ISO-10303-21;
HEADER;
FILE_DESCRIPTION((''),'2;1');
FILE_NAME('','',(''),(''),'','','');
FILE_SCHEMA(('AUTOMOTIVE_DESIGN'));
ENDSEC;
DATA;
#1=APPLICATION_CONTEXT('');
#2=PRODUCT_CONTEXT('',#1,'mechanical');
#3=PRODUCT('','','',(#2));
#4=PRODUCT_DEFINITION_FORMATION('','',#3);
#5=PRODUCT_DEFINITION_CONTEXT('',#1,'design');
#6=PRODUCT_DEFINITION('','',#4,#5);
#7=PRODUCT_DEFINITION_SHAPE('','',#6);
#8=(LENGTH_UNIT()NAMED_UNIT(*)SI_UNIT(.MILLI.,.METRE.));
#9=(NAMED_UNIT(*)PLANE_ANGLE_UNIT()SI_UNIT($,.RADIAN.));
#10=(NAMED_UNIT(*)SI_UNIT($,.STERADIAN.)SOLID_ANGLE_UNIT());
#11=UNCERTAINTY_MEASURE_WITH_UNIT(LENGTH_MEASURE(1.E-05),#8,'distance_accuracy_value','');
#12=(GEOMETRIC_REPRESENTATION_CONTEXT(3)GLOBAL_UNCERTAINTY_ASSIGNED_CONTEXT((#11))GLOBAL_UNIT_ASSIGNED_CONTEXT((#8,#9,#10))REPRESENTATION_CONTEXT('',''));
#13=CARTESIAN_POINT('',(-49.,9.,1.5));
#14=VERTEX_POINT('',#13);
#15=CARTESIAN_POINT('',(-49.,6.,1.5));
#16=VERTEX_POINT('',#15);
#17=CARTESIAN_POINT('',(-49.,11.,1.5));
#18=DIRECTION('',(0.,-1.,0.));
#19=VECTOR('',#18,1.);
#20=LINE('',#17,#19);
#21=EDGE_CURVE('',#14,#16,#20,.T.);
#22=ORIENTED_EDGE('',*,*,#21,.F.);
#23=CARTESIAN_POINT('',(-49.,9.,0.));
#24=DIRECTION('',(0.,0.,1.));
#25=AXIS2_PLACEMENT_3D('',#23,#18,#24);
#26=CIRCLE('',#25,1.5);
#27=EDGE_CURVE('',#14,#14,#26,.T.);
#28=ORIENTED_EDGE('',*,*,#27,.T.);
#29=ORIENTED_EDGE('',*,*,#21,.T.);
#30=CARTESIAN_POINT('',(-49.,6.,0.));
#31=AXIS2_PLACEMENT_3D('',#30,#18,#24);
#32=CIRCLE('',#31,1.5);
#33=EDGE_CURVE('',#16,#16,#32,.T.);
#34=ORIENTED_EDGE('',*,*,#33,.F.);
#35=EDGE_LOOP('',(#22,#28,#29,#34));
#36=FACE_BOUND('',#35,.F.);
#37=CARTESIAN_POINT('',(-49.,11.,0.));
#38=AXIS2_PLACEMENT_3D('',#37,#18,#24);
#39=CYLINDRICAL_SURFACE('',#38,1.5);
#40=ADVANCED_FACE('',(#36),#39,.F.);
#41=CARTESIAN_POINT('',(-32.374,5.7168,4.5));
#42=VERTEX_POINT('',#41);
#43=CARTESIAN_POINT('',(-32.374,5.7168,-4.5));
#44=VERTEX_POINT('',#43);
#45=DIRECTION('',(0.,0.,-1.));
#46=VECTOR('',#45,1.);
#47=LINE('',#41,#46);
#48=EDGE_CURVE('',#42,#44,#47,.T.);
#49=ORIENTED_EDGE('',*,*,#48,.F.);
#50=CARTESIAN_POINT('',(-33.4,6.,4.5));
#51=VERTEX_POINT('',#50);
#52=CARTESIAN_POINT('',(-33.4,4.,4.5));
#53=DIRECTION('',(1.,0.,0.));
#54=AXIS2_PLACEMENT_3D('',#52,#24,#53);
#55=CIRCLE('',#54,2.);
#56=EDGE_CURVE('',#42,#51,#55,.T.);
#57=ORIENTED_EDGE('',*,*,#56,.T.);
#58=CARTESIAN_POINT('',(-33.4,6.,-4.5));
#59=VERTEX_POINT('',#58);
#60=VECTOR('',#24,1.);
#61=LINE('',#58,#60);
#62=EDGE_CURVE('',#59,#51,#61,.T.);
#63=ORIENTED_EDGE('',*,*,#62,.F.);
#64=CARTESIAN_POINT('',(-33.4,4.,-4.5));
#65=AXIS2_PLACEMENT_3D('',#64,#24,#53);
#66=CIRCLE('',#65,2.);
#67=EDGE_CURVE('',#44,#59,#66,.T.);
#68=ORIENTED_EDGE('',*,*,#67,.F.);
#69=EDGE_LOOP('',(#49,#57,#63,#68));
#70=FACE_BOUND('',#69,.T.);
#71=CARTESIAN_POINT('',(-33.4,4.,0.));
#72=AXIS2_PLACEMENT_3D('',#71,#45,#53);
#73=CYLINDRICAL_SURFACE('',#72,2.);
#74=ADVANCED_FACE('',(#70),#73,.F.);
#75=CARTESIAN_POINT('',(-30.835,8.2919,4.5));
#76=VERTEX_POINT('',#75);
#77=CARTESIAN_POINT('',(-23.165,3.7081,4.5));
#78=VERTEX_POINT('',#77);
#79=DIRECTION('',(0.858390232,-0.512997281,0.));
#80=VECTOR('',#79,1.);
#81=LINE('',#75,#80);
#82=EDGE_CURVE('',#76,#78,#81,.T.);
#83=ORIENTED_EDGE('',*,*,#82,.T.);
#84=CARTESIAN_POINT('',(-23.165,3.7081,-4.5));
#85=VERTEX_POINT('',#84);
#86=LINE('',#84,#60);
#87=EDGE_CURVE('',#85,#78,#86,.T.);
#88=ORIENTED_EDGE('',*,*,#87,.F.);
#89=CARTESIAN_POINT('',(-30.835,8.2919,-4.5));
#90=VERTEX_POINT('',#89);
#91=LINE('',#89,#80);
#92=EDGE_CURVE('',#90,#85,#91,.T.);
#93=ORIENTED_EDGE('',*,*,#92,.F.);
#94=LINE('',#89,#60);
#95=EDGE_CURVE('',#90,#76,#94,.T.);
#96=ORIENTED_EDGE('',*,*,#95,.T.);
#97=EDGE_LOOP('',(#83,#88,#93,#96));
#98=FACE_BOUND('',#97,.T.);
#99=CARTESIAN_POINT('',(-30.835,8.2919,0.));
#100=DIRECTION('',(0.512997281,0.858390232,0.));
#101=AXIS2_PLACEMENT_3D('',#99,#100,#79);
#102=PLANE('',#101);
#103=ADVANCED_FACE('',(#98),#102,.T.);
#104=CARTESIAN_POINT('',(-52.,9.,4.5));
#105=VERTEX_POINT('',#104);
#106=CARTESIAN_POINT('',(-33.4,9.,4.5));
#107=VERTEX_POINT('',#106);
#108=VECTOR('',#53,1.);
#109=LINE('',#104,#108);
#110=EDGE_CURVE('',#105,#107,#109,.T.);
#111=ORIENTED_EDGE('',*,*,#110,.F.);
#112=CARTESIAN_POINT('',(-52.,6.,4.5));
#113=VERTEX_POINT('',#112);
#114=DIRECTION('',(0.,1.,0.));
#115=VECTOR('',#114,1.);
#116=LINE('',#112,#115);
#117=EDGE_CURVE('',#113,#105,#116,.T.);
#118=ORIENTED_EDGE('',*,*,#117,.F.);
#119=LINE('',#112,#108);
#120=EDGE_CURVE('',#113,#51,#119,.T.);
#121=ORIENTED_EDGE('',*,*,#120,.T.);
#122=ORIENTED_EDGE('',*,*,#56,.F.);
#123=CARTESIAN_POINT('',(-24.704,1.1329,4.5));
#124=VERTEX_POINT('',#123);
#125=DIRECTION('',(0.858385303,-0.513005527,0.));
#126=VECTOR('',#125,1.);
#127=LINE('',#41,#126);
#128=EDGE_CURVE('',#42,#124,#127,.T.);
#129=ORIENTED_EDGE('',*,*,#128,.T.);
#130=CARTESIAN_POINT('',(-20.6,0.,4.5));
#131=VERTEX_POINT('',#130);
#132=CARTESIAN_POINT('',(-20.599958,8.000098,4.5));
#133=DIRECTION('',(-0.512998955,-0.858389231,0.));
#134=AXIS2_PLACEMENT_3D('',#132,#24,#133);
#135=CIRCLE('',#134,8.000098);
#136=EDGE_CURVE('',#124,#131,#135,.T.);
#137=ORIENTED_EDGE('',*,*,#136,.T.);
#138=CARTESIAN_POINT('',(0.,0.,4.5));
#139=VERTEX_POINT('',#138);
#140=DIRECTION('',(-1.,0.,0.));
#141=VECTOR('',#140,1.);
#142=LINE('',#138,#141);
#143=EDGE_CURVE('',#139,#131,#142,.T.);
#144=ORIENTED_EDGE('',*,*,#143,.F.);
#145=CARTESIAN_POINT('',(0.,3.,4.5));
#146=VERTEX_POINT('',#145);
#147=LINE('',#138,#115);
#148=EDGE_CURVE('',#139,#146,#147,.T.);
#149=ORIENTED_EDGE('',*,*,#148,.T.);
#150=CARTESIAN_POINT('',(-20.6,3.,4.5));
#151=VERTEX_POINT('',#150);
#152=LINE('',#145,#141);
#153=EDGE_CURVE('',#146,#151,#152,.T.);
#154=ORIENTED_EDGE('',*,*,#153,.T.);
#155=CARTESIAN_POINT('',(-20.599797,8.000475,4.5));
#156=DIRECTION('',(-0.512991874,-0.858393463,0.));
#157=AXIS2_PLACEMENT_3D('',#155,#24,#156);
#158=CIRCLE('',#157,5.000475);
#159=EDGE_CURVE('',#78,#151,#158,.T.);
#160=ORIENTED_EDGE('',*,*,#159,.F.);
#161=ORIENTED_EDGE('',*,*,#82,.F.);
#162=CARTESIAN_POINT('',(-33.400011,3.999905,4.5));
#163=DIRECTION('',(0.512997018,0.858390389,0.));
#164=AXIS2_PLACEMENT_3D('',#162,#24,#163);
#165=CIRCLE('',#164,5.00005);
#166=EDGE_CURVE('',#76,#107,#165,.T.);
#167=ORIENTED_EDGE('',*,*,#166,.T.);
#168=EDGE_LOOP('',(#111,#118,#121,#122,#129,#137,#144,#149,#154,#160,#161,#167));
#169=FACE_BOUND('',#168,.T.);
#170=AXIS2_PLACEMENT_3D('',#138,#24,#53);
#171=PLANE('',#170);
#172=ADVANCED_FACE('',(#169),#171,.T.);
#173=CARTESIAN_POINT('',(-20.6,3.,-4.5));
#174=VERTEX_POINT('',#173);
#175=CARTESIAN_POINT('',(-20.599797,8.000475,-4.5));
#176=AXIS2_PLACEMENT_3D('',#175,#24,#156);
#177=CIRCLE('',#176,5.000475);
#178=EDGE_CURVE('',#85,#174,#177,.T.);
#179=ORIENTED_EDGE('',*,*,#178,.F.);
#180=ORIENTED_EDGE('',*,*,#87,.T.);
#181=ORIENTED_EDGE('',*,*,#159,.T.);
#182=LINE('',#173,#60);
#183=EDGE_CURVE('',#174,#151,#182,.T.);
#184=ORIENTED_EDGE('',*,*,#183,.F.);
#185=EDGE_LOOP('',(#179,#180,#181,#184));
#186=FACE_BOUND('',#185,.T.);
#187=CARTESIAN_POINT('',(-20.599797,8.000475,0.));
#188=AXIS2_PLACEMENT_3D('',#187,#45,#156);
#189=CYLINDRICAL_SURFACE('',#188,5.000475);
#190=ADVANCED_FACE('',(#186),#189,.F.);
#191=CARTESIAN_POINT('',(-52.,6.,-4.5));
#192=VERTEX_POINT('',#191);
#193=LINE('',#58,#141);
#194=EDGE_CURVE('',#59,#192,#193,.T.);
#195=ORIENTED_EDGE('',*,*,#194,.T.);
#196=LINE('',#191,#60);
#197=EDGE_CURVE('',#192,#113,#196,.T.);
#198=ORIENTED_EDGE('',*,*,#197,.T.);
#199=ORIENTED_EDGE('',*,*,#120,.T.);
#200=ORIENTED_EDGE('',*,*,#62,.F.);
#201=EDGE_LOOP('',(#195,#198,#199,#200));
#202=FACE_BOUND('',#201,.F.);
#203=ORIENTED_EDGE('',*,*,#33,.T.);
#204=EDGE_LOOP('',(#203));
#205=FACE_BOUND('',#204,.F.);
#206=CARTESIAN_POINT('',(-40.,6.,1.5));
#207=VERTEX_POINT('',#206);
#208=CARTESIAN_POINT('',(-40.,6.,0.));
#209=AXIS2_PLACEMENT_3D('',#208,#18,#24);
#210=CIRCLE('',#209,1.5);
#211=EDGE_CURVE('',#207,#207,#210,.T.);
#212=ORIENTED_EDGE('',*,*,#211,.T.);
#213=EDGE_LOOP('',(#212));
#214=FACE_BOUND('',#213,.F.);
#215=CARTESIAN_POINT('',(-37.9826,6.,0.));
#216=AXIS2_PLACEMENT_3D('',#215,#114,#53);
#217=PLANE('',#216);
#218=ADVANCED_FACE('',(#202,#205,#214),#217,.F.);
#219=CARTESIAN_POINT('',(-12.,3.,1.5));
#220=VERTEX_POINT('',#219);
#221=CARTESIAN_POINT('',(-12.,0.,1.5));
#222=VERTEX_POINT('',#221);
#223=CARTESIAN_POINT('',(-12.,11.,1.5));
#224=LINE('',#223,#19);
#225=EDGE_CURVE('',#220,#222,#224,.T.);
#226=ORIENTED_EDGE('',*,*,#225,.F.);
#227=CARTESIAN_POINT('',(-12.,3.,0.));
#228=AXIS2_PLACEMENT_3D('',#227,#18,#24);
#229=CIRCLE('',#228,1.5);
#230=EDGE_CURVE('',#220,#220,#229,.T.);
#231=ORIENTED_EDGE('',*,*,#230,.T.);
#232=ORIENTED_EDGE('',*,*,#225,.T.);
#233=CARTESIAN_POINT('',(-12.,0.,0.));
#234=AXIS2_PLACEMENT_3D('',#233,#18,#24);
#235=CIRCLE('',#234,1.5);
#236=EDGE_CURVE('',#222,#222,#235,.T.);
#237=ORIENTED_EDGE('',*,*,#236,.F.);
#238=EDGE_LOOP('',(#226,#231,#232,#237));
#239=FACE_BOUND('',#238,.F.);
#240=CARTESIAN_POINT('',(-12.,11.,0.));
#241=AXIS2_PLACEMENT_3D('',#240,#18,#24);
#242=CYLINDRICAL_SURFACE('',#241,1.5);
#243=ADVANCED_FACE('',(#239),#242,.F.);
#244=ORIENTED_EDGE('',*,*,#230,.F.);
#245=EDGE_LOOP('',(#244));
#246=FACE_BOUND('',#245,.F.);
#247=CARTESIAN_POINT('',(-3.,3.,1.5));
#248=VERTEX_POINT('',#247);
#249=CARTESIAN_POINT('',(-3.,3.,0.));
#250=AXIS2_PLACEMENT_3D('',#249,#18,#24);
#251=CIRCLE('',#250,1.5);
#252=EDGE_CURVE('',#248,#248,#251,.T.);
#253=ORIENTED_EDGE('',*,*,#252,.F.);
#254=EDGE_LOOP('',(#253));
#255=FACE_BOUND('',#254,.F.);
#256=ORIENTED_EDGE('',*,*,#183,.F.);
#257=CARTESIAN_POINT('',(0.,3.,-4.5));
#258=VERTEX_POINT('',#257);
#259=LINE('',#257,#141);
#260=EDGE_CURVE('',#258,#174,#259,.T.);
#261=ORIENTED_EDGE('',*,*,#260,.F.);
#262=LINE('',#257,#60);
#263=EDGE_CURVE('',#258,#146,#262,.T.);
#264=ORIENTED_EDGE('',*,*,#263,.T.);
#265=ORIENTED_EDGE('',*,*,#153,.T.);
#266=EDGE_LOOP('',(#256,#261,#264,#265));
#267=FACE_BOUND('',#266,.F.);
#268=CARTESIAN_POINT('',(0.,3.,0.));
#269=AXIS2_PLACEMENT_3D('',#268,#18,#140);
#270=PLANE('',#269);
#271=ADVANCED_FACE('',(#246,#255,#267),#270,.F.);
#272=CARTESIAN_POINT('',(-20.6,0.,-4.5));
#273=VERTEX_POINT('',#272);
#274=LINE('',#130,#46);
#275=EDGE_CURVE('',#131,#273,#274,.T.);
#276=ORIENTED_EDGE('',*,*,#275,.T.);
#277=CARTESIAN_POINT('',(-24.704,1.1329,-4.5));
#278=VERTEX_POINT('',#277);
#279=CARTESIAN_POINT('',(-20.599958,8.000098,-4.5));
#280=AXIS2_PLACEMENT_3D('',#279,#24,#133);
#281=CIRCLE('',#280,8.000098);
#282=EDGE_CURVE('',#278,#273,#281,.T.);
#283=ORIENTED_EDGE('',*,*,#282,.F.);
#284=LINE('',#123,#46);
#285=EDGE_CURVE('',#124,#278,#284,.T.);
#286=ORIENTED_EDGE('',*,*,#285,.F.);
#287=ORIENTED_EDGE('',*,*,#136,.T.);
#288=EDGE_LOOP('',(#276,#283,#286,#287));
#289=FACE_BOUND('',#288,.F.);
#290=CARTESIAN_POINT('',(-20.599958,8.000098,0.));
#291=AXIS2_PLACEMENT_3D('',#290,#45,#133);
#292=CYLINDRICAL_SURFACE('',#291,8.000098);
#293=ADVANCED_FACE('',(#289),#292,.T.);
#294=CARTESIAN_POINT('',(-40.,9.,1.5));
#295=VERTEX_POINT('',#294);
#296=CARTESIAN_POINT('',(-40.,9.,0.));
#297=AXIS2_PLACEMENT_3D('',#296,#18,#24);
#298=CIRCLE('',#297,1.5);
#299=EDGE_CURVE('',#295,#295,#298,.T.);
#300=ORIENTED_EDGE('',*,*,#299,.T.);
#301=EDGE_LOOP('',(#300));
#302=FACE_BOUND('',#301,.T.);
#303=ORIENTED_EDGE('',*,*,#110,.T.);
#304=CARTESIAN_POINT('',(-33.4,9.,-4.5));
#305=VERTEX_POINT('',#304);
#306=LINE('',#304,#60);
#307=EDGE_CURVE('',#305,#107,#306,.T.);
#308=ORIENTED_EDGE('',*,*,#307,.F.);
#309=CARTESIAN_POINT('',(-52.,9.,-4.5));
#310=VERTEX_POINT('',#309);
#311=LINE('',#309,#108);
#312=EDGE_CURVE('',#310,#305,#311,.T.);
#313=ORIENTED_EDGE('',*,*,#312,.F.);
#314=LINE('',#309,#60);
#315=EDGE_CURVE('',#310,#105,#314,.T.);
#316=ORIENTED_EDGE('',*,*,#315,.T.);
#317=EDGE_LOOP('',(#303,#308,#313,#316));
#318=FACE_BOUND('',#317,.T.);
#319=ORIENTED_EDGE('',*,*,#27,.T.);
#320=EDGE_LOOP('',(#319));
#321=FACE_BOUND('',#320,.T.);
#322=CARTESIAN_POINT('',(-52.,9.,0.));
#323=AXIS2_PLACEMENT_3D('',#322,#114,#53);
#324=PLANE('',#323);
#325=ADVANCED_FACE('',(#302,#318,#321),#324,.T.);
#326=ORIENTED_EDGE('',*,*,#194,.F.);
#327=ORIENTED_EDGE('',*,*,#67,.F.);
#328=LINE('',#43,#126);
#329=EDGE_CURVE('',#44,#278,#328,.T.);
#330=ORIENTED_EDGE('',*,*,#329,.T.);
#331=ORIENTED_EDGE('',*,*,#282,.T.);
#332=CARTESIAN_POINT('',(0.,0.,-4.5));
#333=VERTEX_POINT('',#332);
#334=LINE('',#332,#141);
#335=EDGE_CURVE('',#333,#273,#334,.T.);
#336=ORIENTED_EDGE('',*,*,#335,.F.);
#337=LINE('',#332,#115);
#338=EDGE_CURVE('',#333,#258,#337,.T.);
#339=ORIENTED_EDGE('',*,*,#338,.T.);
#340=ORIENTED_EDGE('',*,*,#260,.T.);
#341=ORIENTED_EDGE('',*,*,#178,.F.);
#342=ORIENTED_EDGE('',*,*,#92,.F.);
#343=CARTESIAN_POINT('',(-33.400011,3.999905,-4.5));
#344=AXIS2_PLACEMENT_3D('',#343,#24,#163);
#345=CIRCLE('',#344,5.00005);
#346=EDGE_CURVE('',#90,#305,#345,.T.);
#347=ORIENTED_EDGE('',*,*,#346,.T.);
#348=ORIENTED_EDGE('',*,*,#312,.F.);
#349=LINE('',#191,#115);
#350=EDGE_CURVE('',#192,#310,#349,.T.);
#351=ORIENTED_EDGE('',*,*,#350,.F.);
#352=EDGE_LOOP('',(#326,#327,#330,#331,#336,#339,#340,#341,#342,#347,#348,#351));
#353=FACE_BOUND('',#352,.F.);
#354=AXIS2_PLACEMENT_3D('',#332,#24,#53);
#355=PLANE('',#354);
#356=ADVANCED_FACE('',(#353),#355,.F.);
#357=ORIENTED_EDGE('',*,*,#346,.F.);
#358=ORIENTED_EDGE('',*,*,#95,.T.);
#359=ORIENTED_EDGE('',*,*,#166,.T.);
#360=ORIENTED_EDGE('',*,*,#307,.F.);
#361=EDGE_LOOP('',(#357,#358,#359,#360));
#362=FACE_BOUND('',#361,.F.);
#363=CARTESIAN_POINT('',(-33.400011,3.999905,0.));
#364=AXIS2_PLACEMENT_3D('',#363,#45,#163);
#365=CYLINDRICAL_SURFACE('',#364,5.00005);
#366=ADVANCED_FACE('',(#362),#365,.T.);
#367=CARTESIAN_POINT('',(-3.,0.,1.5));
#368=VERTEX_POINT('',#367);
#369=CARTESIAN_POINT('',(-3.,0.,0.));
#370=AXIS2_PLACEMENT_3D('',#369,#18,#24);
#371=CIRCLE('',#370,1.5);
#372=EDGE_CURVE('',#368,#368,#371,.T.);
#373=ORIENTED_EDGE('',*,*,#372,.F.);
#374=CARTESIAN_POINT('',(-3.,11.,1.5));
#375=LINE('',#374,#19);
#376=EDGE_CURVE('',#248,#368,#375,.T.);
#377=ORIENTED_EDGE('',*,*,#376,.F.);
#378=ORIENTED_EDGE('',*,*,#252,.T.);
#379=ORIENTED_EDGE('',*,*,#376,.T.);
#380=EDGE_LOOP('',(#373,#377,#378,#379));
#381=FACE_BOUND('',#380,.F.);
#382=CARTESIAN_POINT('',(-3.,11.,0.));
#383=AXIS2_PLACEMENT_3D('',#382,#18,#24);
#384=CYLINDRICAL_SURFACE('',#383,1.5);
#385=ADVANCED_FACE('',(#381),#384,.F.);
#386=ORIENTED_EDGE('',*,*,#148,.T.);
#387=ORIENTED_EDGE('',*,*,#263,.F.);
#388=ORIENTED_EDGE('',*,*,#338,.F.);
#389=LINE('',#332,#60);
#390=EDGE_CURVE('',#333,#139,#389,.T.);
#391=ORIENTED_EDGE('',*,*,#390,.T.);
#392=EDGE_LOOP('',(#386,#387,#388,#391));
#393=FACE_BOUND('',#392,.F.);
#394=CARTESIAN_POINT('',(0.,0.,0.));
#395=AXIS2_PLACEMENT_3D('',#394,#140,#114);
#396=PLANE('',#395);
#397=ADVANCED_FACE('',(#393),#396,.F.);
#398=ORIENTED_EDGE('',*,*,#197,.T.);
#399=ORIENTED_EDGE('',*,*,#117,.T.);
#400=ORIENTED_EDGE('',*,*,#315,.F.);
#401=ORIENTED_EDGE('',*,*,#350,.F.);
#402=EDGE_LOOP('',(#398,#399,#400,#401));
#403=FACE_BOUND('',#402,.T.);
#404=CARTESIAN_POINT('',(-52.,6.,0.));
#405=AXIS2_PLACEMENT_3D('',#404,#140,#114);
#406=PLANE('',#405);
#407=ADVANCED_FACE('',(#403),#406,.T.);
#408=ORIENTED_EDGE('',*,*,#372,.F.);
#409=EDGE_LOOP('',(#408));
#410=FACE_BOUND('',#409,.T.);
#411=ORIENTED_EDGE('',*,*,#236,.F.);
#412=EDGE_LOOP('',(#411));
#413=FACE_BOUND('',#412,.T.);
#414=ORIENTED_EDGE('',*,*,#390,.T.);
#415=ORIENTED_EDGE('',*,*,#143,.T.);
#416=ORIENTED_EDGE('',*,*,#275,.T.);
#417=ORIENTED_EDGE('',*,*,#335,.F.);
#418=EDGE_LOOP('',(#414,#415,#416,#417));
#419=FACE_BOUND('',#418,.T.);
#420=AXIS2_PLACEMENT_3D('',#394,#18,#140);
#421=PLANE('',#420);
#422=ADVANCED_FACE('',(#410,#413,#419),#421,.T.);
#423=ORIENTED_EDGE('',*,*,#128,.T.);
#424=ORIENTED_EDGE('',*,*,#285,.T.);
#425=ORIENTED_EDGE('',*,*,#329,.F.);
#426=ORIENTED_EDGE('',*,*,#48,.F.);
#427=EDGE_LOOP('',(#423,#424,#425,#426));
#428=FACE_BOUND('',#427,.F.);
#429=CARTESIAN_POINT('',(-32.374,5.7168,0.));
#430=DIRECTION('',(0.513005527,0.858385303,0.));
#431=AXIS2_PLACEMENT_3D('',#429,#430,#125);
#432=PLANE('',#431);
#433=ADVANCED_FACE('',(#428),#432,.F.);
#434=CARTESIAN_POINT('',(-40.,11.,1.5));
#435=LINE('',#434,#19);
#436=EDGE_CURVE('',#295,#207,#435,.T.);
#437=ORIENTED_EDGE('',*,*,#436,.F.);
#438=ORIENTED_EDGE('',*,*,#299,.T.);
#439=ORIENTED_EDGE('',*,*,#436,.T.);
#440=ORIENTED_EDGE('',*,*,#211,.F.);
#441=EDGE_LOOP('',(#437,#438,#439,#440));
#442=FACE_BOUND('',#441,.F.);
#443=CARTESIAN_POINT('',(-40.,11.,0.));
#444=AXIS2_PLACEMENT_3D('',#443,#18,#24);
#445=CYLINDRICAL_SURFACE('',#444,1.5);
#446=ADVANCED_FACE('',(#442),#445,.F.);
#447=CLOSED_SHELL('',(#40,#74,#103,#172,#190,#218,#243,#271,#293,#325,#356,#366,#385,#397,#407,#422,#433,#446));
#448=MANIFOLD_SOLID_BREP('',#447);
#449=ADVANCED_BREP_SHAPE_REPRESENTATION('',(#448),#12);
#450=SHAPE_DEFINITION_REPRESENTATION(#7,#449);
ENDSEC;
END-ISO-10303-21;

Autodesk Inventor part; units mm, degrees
ref_plane "YZ Plane" through (0, 0, 0) normal (1, 0, 0) x (0, 1, 0)
ref_plane "XZ Plane" through (0, 0, 0) normal (0, 1, 0) x (-1, 0, 0)
sketch "Sketch1" plane through (0, 0, 0) normal (0, 0, 1) x (1, 0, 0)
  line L0 (0, 0) -> (0, 3)
  line L1 (0, 0) -> (0, 40.1132) construction
  arc A0 (-23.165, 3.7081) -> (-20.6, 3) centre (-20.6, 8) ccw
  line L2 (0, 3) -> (-20.6, 3)
  line L3 (0, 0) -> (-20.6, 0)
  arc A1 (-24.704, 1.1329) -> (-20.6, 0) centre (-20.6, 8) ccw
  line L4 (-52, 6) -> (-33.4, 6)
  line L5 (-52, 6) -> (-52, 9)
  line L6 (-52, 9) -> (-33.4, 9)
  circle A2 centre (-33.4, 4) radius 2
  arc A3 (-30.835, 8.2919) -> (-37.9826, 6) centre (-33.4, 4) ccw
  line L7 (-32.374, 5.7168) -> (-24.704, 1.1329)
  line L8 (-30.835, 8.2919) -> (-23.165, 3.7081)
  dimension "d9" = 4
  dimension "d0" = 20.6
  dimension "d2" = 10
  dimension "d3" = 3
  dimension "d4" = 6
  dimension "d5" = 12.8
  dimension "d6" = 3
  dimension "d7" = 18.6
  dimension "d8" = 18.6
  dimension "d10" = 10
  dimension "d11" = 12.8
extrude "Extrusion1" add sketch "Sketch1" along normal mid plane 9 contours L3 A1 L7 A2 L4 A3 L8 A0 L2 L0 | A3 L4 L5 L6
ref_plane "Work Plane1" through (-52, 11, 4.5) normal (0, 1, 0) x (1, 0, 0)
sketch "Sketch2" plane through (-52, 11, 4.5) normal (0, 1, 0) x (1, 0, 0)
  line L0 (0, 9) -> (0, 0) projected
  line L1 (31.4, 9) -> (52, 9) projected
  line L2 (18.6, 9) -> (0, 9) projected
  line L3 (3, 9) -> (3, 0) construction
  line L4 (18.6, 0) -> (0, 0) projected
  line L5 (12, 9) -> (12, 0) construction
  line L6 (49, 9) -> (49, 0) construction
  line L7 (31.4, 0) -> (52, 0) projected
  line L8 (0, 4.5) -> (52, 4.5) construction
  line L9 (52, 9) -> (52, 0) projected
  line L10 (40, 9) -> (40, 0) construction
  circle A0 centre (3, 4.5) radius 1.5
  circle A1 centre (12, 4.5) radius 1.5
  circle A2 centre (40, 4.5) radius 1.5
  circle A3 centre (49, 4.5) radius 1.5
  dimension "d15" = 3
  dimension "d16" = 9
  dimension "d17" = 3
  dimension "d18" = 9
  dimension "d19" = 3
  dimension "d20" = 3
  dimension "d21" = 3
  dimension "d22" = 3
hole "Hole1" at (-12, 11, 0) at (-3, 11, 0) at (-40, 11, 0) at (-49, 11, 0) direction (0, -1, 0) diameter 3 end through all
equation "\"d8\" = d7"
properties part number "Hudson 1-68"
